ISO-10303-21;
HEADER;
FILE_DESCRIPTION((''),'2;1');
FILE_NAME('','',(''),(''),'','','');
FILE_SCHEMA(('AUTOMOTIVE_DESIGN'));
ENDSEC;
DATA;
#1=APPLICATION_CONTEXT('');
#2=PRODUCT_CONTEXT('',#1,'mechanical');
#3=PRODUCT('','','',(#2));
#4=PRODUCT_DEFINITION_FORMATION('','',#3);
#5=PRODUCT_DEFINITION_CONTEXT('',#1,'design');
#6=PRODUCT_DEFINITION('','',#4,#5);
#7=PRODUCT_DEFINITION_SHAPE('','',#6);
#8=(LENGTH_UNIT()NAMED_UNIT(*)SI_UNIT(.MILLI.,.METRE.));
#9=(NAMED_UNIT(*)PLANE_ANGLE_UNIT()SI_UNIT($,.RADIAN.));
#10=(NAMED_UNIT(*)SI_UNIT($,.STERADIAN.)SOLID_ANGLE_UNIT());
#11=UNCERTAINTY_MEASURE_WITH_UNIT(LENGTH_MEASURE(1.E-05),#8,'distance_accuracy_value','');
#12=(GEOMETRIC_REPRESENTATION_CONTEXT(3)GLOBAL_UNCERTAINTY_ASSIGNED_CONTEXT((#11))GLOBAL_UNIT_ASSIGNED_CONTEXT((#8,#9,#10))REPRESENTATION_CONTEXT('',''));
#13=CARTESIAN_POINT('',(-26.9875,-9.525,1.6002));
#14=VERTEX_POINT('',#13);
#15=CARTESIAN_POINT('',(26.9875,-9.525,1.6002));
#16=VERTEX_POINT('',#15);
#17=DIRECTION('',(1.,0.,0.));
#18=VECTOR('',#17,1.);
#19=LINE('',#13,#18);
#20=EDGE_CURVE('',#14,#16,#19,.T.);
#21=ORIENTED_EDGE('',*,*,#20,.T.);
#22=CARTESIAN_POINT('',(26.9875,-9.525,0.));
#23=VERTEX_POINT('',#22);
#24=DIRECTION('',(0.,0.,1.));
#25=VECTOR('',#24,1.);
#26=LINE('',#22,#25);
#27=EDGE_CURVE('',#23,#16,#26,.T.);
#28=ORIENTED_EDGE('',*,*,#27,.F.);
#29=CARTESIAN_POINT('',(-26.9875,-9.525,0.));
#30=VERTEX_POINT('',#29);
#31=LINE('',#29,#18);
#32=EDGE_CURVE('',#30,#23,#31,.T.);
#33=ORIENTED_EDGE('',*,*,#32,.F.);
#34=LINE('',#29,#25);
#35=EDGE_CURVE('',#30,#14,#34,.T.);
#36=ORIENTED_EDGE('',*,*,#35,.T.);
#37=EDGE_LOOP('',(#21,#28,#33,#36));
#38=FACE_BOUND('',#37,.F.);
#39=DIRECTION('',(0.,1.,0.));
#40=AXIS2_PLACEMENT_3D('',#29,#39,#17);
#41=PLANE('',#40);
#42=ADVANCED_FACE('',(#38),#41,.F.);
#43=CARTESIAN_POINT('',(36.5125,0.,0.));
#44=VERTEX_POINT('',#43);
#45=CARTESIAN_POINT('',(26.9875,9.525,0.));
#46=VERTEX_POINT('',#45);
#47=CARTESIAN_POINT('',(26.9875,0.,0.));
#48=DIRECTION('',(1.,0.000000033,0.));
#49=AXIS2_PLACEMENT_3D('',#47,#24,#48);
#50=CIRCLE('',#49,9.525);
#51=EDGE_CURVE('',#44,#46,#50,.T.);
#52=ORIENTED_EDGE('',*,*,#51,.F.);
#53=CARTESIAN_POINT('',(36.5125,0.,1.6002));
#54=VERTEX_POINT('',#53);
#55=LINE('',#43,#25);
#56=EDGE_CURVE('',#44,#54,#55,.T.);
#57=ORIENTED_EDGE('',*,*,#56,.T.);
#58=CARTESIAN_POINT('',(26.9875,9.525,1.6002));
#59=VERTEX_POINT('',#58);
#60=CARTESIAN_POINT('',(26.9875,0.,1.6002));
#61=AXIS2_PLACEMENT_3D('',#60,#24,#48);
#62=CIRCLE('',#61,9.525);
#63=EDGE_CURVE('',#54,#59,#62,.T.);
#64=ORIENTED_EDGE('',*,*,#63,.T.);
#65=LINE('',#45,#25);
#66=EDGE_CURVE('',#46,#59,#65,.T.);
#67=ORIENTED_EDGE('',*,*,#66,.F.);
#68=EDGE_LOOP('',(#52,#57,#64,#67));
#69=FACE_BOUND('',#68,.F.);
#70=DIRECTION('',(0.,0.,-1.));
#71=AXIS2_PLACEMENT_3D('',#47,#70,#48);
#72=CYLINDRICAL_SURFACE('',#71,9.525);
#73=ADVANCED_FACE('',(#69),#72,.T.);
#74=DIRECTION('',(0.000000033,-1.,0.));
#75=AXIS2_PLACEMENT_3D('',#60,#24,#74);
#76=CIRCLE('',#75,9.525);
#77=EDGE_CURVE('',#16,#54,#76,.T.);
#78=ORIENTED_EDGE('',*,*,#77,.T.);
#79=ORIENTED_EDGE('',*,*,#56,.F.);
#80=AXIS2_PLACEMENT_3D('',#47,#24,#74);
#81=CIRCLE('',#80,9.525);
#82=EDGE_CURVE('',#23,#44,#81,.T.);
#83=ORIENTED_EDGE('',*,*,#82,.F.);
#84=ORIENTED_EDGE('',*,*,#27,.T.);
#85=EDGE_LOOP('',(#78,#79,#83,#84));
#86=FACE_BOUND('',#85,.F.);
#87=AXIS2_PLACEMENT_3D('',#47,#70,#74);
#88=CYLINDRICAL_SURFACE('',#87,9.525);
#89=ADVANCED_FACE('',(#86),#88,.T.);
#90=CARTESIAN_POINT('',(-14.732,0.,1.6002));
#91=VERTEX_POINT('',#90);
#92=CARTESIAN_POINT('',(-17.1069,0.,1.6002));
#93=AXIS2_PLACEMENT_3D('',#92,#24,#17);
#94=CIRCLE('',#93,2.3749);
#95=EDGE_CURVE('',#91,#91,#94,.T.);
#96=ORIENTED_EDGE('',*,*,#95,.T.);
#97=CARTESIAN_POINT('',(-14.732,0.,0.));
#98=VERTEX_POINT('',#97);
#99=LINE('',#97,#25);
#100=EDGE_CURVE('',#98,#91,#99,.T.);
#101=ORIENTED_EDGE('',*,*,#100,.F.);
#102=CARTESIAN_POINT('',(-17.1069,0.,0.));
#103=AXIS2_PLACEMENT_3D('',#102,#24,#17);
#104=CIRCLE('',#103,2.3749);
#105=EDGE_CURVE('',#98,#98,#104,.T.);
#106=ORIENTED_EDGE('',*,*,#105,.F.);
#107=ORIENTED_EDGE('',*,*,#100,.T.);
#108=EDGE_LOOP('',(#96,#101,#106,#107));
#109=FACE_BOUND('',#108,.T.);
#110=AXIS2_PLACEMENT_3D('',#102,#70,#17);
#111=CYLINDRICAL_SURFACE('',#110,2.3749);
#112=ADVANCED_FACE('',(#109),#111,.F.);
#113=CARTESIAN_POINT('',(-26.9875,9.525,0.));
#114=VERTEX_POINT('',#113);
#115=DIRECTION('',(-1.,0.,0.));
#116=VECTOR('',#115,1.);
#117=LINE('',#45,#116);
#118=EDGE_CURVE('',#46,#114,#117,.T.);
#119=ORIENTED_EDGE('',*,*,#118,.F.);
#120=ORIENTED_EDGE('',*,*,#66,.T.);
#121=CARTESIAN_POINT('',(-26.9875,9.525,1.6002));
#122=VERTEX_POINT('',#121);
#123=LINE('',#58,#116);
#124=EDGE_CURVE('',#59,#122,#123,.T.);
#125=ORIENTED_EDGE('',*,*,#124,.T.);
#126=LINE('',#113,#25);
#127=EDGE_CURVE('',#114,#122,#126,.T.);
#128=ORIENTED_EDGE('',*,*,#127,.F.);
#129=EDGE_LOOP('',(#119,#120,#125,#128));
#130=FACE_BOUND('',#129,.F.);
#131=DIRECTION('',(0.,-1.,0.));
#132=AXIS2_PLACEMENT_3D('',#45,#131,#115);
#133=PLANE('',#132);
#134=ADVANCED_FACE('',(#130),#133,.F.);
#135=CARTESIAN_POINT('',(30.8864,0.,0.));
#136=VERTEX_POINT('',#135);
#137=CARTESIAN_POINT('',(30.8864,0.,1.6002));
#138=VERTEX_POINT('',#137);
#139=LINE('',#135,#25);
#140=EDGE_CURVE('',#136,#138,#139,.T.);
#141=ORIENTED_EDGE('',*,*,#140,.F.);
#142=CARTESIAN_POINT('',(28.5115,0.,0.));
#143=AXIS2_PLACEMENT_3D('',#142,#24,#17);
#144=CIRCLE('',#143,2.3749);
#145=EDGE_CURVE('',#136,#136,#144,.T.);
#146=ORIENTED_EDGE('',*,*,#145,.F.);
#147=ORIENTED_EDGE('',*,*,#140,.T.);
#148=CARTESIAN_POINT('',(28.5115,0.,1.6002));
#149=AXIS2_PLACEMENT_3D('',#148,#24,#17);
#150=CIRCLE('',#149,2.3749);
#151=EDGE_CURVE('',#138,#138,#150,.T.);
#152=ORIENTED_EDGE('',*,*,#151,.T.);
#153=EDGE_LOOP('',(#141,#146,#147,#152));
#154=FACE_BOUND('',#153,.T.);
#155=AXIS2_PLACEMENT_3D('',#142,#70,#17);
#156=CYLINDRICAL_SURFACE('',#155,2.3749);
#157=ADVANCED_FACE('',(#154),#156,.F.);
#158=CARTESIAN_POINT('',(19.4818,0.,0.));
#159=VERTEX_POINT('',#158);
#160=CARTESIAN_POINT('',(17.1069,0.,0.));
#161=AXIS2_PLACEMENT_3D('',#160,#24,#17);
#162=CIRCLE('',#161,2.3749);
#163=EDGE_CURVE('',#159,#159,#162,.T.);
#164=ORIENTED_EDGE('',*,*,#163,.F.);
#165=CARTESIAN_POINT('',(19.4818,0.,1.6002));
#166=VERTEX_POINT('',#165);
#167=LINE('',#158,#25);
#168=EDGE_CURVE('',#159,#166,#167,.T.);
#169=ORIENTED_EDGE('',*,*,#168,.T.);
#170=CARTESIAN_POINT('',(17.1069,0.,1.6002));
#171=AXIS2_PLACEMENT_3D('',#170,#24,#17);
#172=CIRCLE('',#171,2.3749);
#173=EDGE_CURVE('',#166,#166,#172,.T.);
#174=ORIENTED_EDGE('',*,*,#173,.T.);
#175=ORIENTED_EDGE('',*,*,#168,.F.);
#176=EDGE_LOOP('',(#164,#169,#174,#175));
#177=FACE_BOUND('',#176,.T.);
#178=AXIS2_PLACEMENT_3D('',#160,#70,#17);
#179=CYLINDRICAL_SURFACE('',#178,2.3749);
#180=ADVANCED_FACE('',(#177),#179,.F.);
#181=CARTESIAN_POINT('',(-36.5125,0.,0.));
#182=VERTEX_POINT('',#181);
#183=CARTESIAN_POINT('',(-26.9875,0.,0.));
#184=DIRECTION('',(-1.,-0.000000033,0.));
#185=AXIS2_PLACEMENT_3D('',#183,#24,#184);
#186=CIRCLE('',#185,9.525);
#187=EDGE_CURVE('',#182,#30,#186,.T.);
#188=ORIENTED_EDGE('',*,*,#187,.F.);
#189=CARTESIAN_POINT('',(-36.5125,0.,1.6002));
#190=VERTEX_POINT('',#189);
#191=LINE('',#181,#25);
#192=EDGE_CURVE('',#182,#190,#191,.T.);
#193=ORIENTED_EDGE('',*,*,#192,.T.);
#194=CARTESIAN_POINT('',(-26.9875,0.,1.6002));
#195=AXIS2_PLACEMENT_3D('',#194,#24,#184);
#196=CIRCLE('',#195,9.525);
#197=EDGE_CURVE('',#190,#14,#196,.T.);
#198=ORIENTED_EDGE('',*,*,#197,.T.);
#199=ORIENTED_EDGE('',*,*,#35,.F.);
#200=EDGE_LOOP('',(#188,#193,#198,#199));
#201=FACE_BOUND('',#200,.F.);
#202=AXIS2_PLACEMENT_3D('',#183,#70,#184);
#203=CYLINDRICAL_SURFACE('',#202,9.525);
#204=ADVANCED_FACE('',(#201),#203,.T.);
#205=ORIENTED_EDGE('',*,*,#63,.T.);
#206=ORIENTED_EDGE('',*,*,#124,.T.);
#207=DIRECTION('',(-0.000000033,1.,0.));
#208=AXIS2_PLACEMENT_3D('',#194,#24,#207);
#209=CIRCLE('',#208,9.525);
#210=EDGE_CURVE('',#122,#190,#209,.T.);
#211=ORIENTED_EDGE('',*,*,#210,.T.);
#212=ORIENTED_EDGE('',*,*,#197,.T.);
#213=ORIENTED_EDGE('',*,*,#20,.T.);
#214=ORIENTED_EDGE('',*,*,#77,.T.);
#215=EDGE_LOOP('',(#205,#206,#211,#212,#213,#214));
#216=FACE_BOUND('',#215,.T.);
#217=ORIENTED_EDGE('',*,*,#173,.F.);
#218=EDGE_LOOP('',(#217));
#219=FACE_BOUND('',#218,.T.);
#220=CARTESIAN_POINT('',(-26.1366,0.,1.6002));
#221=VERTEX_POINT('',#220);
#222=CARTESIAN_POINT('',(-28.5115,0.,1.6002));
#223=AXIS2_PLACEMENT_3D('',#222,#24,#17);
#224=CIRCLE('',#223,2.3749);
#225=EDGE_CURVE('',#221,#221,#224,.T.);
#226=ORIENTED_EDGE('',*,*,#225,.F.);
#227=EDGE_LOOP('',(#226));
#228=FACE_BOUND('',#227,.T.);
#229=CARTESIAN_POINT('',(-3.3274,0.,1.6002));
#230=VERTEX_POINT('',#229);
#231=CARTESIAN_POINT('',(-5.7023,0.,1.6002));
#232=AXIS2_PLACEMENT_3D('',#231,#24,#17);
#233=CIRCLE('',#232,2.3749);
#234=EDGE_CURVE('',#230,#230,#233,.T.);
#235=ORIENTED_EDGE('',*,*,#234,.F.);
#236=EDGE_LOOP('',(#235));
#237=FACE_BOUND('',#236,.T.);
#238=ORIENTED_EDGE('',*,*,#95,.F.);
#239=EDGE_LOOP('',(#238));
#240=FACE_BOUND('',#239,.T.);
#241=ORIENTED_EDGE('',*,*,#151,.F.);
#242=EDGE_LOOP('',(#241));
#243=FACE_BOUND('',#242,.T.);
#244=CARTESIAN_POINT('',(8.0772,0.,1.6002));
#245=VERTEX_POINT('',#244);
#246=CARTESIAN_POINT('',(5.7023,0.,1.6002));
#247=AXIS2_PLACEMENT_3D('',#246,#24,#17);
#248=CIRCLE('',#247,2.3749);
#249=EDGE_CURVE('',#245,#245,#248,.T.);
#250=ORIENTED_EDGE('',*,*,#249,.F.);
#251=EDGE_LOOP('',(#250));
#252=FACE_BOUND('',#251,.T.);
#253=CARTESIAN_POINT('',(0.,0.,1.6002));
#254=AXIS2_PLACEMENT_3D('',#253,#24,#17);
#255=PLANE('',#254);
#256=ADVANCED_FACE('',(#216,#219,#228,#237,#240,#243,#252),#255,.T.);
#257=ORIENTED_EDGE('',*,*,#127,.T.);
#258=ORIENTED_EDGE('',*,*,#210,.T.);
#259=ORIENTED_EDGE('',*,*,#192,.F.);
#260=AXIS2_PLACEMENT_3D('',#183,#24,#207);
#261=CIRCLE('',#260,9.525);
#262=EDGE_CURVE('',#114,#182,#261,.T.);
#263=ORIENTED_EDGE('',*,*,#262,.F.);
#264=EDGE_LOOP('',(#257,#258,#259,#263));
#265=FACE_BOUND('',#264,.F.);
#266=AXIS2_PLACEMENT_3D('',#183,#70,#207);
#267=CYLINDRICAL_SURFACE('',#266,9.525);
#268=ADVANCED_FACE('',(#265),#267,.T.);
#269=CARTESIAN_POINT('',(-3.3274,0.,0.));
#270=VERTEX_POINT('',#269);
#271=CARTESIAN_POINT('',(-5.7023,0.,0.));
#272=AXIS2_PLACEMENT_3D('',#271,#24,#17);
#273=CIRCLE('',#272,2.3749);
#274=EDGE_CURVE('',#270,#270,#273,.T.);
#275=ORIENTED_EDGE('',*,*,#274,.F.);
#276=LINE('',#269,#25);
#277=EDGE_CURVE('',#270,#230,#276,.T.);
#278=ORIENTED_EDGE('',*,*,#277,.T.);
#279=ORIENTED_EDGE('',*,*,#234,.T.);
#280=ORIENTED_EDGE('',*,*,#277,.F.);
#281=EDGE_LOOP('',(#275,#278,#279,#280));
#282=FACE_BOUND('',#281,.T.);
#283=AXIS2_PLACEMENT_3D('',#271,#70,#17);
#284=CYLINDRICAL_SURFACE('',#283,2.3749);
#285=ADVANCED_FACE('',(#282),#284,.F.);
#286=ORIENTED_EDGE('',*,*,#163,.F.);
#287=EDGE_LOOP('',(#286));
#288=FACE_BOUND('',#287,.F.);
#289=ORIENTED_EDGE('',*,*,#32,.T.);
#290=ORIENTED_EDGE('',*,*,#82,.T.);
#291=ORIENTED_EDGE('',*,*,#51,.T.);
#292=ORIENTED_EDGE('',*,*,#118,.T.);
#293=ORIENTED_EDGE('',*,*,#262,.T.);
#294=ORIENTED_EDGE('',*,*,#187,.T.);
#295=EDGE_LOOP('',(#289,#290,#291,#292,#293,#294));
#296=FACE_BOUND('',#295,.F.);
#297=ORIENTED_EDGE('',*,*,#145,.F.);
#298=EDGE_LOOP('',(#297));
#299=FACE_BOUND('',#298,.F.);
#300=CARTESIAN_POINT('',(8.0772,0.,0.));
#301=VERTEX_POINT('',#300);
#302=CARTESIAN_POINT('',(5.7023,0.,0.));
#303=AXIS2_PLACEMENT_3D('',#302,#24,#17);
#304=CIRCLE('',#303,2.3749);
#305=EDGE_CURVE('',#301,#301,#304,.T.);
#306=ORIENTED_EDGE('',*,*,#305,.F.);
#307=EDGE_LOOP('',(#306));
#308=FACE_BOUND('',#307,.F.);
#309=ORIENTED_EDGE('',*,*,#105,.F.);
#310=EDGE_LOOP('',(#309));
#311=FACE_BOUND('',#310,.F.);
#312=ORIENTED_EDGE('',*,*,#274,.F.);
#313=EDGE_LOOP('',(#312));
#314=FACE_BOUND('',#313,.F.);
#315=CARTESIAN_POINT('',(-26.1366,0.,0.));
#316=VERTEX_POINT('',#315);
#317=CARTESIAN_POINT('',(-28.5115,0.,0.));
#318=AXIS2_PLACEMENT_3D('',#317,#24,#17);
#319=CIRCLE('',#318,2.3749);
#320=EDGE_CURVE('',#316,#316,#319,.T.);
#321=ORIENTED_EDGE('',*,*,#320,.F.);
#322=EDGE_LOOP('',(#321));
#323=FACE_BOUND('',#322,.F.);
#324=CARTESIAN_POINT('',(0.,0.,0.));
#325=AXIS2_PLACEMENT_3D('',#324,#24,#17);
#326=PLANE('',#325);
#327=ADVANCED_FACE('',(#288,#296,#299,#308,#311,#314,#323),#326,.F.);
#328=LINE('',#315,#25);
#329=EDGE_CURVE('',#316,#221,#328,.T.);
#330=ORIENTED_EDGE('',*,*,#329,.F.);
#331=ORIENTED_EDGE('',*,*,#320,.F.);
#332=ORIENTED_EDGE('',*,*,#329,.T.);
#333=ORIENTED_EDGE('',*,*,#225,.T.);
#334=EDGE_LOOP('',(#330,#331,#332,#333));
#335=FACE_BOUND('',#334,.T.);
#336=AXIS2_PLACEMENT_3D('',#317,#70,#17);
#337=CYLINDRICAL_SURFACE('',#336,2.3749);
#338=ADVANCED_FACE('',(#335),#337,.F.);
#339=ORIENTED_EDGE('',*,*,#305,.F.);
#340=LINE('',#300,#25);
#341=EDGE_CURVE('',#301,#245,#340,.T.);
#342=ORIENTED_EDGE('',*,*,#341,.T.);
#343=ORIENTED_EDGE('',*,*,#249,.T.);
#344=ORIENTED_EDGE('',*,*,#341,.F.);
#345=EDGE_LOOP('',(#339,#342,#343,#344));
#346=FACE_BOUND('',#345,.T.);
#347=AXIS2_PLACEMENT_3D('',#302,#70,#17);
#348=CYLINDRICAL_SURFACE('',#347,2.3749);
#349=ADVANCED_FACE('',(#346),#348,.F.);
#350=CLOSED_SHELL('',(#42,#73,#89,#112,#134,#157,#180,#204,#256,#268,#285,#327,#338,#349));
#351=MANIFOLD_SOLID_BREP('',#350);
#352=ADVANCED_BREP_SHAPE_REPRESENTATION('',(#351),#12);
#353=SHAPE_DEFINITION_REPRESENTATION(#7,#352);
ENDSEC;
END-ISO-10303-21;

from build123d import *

# Parameters (mm, degrees)
F0_R     = 2.3749
F1_DEPTH = 1.6002


with BuildPart() as f1:
    # F0 (on Top) → F1 (new body)
    with BuildSketch(Plane.XY):
        with BuildLine():
            Line((26.9875, 9.525), (0, 9.525))
            Line((0, 9.525), (-26.9875, 9.525))
            ThreePointArc((-26.9875, 9.525), (-33.722692, 6.735192), (-36.5125, 0))
            ThreePointArc((-36.5125, 0), (-33.722692, -6.735192), (-26.9875, -9.525))
            Line((-26.9875, -9.525), (0, -9.525))
            Line((0, -9.525), (26.9875, -9.525))
            ThreePointArc((26.9875, -9.525), (33.722692, -6.735192), (36.5125, 0))
            ThreePointArc((36.5125, 0), (33.722692, 6.735192), (26.9875, 9.525))
        make_face()
        with Locations((-28.5115, 0)):
            Circle(F0_R, mode=Mode.SUBTRACT)
        with Locations((-17.1069, 0)):
            Circle(F0_R, mode=Mode.SUBTRACT)
        with Locations((-5.7023, 0)):
            Circle(F0_R, mode=Mode.SUBTRACT)
        with Locations((5.7023, 0)):
            Circle(F0_R, mode=Mode.SUBTRACT)
        with Locations((17.1069, 0)):
            Circle(F0_R, mode=Mode.SUBTRACT)
        with Locations((28.5115, 0)):
            Circle(F0_R, mode=Mode.SUBTRACT)
    extrude(amount=F1_DEPTH)


solid = f1.part
